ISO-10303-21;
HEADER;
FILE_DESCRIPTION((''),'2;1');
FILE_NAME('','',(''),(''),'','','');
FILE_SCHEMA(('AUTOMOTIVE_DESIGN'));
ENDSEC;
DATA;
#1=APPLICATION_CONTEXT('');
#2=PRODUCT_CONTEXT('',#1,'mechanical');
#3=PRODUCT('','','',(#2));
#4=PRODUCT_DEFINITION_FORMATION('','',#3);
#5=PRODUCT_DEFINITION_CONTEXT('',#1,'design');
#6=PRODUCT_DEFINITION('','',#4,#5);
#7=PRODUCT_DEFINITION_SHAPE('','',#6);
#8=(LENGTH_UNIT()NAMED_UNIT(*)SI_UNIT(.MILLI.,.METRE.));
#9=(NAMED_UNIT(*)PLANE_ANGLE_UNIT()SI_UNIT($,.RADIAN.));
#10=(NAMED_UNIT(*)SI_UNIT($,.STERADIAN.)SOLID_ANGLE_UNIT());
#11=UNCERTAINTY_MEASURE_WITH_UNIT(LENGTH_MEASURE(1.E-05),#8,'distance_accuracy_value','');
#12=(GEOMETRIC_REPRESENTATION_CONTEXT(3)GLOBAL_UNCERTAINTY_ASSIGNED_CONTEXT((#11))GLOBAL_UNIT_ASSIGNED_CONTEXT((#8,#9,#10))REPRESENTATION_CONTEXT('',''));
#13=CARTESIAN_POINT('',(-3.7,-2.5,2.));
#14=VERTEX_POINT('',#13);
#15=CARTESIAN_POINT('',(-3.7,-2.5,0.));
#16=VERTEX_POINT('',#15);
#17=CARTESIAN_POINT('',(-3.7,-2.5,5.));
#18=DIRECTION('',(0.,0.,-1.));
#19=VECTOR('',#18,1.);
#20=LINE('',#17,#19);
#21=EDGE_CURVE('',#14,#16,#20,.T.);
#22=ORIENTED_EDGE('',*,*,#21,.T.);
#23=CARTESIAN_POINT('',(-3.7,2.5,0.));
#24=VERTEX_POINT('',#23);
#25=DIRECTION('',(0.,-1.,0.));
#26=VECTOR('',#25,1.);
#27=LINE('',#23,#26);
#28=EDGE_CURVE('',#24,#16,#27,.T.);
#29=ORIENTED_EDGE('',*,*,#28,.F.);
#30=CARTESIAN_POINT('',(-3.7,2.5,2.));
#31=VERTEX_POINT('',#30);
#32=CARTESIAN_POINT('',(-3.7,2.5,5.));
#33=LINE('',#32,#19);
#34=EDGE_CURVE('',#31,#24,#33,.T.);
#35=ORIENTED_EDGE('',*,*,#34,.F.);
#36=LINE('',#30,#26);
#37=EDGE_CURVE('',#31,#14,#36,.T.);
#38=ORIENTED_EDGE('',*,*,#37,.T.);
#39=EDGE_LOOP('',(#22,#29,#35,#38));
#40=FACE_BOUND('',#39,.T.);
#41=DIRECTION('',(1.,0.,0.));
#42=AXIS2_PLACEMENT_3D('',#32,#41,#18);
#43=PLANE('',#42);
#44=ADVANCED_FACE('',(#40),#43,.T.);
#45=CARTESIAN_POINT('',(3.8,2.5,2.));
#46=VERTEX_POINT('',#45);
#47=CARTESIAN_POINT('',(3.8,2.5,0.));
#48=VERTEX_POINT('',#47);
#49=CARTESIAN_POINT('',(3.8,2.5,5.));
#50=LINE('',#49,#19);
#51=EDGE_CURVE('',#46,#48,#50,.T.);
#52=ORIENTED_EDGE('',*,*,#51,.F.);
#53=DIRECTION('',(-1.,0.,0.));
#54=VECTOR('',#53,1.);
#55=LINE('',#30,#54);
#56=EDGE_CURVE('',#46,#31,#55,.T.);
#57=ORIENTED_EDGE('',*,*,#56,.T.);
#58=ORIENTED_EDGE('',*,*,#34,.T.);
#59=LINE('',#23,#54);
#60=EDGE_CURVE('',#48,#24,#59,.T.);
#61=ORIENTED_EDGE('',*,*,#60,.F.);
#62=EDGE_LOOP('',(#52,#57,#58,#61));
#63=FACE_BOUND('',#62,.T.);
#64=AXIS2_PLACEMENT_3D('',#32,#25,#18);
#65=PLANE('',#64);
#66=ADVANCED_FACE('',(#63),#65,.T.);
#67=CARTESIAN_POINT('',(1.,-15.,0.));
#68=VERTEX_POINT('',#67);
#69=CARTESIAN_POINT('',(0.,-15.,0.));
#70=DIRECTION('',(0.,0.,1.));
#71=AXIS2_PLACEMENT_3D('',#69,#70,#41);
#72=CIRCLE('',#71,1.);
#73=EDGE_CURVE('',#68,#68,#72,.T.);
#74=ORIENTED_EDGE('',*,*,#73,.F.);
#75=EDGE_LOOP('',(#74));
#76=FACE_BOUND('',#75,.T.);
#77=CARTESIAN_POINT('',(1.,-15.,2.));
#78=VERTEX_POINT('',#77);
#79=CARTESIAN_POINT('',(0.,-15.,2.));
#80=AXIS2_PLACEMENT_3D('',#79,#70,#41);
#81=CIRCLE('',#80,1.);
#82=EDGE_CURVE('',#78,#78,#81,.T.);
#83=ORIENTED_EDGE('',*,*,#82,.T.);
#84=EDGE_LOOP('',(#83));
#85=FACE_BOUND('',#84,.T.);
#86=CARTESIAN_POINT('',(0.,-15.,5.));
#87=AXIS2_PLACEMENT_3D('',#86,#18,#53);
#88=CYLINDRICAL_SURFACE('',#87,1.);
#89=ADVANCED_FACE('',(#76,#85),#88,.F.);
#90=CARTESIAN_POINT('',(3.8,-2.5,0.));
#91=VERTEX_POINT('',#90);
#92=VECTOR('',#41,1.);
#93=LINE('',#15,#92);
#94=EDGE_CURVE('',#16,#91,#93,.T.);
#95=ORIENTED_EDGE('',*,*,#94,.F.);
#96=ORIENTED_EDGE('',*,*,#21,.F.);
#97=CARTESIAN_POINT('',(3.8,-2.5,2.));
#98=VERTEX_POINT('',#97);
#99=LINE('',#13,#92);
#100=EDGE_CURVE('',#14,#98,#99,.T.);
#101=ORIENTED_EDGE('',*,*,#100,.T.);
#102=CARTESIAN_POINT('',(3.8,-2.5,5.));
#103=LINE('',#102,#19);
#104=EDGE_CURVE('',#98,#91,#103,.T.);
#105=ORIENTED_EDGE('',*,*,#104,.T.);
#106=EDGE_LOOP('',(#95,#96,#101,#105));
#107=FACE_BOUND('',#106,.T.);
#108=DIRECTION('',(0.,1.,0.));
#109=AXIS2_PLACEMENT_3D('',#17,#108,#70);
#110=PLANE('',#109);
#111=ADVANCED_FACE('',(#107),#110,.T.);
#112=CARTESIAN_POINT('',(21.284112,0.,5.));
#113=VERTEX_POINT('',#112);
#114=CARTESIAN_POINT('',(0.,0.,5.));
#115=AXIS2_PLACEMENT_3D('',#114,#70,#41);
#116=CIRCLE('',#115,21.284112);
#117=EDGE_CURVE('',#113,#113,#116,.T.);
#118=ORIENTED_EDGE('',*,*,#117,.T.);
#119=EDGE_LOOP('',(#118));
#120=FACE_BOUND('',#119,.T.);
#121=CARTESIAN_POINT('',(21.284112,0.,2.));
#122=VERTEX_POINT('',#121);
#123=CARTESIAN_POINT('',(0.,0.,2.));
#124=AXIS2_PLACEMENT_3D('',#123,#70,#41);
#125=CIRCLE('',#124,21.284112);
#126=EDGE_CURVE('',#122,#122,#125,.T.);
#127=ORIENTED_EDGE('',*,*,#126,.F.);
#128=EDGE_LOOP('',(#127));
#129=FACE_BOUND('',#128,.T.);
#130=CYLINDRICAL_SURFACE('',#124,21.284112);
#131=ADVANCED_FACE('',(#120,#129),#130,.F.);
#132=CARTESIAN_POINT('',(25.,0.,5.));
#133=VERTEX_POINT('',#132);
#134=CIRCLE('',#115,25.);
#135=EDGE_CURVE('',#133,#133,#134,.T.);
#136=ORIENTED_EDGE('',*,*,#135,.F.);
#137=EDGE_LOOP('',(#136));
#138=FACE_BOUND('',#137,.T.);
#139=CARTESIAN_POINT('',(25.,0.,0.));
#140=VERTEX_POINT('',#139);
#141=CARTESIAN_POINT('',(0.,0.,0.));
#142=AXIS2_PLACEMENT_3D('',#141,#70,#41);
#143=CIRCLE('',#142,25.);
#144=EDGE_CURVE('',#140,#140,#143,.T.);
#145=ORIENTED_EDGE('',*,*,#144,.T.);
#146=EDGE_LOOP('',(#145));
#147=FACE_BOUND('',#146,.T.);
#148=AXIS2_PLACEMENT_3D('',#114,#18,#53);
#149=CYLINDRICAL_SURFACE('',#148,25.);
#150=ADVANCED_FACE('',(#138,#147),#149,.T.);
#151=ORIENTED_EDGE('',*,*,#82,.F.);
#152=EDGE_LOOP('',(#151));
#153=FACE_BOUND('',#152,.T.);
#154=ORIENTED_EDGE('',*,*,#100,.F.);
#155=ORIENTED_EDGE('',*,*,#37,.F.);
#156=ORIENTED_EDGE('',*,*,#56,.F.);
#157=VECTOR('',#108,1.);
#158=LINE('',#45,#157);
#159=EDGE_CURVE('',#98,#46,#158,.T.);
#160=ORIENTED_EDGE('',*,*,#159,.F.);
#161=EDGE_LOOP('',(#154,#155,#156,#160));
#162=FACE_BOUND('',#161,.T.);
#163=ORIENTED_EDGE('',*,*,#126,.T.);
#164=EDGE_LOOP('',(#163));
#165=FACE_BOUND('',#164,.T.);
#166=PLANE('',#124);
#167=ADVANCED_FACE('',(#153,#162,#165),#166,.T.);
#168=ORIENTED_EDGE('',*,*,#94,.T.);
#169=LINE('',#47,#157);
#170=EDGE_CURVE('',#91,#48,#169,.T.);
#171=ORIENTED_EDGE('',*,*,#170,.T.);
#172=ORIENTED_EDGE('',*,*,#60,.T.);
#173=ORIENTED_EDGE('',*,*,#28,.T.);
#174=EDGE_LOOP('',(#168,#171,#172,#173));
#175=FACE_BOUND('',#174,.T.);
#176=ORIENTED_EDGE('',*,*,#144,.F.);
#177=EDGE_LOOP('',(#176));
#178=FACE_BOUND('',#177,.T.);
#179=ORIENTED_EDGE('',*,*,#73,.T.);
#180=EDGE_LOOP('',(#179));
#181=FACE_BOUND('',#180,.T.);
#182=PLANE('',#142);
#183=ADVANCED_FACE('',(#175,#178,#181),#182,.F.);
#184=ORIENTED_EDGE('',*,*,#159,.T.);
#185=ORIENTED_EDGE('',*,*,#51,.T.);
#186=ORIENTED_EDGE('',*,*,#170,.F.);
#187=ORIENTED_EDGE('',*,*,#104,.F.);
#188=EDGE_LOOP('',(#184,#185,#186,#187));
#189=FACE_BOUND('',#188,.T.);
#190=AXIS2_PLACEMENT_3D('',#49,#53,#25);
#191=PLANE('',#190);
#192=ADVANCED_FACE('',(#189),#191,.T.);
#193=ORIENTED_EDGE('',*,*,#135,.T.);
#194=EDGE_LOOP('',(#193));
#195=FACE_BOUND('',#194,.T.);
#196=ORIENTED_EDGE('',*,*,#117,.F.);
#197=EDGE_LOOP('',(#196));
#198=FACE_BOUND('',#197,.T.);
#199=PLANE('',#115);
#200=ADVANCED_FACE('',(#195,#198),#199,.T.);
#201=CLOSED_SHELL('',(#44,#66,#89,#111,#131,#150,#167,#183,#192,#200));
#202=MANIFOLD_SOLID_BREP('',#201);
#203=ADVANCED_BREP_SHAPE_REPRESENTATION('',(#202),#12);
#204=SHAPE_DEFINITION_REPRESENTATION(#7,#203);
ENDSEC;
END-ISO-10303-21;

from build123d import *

# Parameters (mm, degrees)
ESQUISSE1_R             = 25
ESQUISSE1_R_2           = 1
ESQUISSE1_W             = 7.5
ESQUISSE1_H             = 5
BOSS_EXTRU_1_DEPTH      = 5
ESQUISSE2_R             = 21.284112143
ENL_V_MAT_EXTRU_1_DEPTH = 3


with BuildPart() as part:
    # Esquisse1 → Boss.-Extru.1 (new body)
    with BuildSketch(Plane.XY):
        Circle(ESQUISSE1_R)
        with Locations((0, -15)):
            Circle(ESQUISSE1_R_2, mode=Mode.SUBTRACT)
        with Locations((0.05, 0)):
            Rectangle(ESQUISSE1_W, ESQUISSE1_H, mode=Mode.SUBTRACT)
    extrude(amount=BOSS_EXTRU_1_DEPTH)

    # Esquisse2 → Enlèv. mat.-Extru.1 (cut)
    with BuildSketch(Plane.XY.offset(5)):
        Circle(ESQUISSE2_R)
    extrude(amount=-ENL_V_MAT_EXTRU_1_DEPTH, mode=Mode.SUBTRACT)


solid = part.part
